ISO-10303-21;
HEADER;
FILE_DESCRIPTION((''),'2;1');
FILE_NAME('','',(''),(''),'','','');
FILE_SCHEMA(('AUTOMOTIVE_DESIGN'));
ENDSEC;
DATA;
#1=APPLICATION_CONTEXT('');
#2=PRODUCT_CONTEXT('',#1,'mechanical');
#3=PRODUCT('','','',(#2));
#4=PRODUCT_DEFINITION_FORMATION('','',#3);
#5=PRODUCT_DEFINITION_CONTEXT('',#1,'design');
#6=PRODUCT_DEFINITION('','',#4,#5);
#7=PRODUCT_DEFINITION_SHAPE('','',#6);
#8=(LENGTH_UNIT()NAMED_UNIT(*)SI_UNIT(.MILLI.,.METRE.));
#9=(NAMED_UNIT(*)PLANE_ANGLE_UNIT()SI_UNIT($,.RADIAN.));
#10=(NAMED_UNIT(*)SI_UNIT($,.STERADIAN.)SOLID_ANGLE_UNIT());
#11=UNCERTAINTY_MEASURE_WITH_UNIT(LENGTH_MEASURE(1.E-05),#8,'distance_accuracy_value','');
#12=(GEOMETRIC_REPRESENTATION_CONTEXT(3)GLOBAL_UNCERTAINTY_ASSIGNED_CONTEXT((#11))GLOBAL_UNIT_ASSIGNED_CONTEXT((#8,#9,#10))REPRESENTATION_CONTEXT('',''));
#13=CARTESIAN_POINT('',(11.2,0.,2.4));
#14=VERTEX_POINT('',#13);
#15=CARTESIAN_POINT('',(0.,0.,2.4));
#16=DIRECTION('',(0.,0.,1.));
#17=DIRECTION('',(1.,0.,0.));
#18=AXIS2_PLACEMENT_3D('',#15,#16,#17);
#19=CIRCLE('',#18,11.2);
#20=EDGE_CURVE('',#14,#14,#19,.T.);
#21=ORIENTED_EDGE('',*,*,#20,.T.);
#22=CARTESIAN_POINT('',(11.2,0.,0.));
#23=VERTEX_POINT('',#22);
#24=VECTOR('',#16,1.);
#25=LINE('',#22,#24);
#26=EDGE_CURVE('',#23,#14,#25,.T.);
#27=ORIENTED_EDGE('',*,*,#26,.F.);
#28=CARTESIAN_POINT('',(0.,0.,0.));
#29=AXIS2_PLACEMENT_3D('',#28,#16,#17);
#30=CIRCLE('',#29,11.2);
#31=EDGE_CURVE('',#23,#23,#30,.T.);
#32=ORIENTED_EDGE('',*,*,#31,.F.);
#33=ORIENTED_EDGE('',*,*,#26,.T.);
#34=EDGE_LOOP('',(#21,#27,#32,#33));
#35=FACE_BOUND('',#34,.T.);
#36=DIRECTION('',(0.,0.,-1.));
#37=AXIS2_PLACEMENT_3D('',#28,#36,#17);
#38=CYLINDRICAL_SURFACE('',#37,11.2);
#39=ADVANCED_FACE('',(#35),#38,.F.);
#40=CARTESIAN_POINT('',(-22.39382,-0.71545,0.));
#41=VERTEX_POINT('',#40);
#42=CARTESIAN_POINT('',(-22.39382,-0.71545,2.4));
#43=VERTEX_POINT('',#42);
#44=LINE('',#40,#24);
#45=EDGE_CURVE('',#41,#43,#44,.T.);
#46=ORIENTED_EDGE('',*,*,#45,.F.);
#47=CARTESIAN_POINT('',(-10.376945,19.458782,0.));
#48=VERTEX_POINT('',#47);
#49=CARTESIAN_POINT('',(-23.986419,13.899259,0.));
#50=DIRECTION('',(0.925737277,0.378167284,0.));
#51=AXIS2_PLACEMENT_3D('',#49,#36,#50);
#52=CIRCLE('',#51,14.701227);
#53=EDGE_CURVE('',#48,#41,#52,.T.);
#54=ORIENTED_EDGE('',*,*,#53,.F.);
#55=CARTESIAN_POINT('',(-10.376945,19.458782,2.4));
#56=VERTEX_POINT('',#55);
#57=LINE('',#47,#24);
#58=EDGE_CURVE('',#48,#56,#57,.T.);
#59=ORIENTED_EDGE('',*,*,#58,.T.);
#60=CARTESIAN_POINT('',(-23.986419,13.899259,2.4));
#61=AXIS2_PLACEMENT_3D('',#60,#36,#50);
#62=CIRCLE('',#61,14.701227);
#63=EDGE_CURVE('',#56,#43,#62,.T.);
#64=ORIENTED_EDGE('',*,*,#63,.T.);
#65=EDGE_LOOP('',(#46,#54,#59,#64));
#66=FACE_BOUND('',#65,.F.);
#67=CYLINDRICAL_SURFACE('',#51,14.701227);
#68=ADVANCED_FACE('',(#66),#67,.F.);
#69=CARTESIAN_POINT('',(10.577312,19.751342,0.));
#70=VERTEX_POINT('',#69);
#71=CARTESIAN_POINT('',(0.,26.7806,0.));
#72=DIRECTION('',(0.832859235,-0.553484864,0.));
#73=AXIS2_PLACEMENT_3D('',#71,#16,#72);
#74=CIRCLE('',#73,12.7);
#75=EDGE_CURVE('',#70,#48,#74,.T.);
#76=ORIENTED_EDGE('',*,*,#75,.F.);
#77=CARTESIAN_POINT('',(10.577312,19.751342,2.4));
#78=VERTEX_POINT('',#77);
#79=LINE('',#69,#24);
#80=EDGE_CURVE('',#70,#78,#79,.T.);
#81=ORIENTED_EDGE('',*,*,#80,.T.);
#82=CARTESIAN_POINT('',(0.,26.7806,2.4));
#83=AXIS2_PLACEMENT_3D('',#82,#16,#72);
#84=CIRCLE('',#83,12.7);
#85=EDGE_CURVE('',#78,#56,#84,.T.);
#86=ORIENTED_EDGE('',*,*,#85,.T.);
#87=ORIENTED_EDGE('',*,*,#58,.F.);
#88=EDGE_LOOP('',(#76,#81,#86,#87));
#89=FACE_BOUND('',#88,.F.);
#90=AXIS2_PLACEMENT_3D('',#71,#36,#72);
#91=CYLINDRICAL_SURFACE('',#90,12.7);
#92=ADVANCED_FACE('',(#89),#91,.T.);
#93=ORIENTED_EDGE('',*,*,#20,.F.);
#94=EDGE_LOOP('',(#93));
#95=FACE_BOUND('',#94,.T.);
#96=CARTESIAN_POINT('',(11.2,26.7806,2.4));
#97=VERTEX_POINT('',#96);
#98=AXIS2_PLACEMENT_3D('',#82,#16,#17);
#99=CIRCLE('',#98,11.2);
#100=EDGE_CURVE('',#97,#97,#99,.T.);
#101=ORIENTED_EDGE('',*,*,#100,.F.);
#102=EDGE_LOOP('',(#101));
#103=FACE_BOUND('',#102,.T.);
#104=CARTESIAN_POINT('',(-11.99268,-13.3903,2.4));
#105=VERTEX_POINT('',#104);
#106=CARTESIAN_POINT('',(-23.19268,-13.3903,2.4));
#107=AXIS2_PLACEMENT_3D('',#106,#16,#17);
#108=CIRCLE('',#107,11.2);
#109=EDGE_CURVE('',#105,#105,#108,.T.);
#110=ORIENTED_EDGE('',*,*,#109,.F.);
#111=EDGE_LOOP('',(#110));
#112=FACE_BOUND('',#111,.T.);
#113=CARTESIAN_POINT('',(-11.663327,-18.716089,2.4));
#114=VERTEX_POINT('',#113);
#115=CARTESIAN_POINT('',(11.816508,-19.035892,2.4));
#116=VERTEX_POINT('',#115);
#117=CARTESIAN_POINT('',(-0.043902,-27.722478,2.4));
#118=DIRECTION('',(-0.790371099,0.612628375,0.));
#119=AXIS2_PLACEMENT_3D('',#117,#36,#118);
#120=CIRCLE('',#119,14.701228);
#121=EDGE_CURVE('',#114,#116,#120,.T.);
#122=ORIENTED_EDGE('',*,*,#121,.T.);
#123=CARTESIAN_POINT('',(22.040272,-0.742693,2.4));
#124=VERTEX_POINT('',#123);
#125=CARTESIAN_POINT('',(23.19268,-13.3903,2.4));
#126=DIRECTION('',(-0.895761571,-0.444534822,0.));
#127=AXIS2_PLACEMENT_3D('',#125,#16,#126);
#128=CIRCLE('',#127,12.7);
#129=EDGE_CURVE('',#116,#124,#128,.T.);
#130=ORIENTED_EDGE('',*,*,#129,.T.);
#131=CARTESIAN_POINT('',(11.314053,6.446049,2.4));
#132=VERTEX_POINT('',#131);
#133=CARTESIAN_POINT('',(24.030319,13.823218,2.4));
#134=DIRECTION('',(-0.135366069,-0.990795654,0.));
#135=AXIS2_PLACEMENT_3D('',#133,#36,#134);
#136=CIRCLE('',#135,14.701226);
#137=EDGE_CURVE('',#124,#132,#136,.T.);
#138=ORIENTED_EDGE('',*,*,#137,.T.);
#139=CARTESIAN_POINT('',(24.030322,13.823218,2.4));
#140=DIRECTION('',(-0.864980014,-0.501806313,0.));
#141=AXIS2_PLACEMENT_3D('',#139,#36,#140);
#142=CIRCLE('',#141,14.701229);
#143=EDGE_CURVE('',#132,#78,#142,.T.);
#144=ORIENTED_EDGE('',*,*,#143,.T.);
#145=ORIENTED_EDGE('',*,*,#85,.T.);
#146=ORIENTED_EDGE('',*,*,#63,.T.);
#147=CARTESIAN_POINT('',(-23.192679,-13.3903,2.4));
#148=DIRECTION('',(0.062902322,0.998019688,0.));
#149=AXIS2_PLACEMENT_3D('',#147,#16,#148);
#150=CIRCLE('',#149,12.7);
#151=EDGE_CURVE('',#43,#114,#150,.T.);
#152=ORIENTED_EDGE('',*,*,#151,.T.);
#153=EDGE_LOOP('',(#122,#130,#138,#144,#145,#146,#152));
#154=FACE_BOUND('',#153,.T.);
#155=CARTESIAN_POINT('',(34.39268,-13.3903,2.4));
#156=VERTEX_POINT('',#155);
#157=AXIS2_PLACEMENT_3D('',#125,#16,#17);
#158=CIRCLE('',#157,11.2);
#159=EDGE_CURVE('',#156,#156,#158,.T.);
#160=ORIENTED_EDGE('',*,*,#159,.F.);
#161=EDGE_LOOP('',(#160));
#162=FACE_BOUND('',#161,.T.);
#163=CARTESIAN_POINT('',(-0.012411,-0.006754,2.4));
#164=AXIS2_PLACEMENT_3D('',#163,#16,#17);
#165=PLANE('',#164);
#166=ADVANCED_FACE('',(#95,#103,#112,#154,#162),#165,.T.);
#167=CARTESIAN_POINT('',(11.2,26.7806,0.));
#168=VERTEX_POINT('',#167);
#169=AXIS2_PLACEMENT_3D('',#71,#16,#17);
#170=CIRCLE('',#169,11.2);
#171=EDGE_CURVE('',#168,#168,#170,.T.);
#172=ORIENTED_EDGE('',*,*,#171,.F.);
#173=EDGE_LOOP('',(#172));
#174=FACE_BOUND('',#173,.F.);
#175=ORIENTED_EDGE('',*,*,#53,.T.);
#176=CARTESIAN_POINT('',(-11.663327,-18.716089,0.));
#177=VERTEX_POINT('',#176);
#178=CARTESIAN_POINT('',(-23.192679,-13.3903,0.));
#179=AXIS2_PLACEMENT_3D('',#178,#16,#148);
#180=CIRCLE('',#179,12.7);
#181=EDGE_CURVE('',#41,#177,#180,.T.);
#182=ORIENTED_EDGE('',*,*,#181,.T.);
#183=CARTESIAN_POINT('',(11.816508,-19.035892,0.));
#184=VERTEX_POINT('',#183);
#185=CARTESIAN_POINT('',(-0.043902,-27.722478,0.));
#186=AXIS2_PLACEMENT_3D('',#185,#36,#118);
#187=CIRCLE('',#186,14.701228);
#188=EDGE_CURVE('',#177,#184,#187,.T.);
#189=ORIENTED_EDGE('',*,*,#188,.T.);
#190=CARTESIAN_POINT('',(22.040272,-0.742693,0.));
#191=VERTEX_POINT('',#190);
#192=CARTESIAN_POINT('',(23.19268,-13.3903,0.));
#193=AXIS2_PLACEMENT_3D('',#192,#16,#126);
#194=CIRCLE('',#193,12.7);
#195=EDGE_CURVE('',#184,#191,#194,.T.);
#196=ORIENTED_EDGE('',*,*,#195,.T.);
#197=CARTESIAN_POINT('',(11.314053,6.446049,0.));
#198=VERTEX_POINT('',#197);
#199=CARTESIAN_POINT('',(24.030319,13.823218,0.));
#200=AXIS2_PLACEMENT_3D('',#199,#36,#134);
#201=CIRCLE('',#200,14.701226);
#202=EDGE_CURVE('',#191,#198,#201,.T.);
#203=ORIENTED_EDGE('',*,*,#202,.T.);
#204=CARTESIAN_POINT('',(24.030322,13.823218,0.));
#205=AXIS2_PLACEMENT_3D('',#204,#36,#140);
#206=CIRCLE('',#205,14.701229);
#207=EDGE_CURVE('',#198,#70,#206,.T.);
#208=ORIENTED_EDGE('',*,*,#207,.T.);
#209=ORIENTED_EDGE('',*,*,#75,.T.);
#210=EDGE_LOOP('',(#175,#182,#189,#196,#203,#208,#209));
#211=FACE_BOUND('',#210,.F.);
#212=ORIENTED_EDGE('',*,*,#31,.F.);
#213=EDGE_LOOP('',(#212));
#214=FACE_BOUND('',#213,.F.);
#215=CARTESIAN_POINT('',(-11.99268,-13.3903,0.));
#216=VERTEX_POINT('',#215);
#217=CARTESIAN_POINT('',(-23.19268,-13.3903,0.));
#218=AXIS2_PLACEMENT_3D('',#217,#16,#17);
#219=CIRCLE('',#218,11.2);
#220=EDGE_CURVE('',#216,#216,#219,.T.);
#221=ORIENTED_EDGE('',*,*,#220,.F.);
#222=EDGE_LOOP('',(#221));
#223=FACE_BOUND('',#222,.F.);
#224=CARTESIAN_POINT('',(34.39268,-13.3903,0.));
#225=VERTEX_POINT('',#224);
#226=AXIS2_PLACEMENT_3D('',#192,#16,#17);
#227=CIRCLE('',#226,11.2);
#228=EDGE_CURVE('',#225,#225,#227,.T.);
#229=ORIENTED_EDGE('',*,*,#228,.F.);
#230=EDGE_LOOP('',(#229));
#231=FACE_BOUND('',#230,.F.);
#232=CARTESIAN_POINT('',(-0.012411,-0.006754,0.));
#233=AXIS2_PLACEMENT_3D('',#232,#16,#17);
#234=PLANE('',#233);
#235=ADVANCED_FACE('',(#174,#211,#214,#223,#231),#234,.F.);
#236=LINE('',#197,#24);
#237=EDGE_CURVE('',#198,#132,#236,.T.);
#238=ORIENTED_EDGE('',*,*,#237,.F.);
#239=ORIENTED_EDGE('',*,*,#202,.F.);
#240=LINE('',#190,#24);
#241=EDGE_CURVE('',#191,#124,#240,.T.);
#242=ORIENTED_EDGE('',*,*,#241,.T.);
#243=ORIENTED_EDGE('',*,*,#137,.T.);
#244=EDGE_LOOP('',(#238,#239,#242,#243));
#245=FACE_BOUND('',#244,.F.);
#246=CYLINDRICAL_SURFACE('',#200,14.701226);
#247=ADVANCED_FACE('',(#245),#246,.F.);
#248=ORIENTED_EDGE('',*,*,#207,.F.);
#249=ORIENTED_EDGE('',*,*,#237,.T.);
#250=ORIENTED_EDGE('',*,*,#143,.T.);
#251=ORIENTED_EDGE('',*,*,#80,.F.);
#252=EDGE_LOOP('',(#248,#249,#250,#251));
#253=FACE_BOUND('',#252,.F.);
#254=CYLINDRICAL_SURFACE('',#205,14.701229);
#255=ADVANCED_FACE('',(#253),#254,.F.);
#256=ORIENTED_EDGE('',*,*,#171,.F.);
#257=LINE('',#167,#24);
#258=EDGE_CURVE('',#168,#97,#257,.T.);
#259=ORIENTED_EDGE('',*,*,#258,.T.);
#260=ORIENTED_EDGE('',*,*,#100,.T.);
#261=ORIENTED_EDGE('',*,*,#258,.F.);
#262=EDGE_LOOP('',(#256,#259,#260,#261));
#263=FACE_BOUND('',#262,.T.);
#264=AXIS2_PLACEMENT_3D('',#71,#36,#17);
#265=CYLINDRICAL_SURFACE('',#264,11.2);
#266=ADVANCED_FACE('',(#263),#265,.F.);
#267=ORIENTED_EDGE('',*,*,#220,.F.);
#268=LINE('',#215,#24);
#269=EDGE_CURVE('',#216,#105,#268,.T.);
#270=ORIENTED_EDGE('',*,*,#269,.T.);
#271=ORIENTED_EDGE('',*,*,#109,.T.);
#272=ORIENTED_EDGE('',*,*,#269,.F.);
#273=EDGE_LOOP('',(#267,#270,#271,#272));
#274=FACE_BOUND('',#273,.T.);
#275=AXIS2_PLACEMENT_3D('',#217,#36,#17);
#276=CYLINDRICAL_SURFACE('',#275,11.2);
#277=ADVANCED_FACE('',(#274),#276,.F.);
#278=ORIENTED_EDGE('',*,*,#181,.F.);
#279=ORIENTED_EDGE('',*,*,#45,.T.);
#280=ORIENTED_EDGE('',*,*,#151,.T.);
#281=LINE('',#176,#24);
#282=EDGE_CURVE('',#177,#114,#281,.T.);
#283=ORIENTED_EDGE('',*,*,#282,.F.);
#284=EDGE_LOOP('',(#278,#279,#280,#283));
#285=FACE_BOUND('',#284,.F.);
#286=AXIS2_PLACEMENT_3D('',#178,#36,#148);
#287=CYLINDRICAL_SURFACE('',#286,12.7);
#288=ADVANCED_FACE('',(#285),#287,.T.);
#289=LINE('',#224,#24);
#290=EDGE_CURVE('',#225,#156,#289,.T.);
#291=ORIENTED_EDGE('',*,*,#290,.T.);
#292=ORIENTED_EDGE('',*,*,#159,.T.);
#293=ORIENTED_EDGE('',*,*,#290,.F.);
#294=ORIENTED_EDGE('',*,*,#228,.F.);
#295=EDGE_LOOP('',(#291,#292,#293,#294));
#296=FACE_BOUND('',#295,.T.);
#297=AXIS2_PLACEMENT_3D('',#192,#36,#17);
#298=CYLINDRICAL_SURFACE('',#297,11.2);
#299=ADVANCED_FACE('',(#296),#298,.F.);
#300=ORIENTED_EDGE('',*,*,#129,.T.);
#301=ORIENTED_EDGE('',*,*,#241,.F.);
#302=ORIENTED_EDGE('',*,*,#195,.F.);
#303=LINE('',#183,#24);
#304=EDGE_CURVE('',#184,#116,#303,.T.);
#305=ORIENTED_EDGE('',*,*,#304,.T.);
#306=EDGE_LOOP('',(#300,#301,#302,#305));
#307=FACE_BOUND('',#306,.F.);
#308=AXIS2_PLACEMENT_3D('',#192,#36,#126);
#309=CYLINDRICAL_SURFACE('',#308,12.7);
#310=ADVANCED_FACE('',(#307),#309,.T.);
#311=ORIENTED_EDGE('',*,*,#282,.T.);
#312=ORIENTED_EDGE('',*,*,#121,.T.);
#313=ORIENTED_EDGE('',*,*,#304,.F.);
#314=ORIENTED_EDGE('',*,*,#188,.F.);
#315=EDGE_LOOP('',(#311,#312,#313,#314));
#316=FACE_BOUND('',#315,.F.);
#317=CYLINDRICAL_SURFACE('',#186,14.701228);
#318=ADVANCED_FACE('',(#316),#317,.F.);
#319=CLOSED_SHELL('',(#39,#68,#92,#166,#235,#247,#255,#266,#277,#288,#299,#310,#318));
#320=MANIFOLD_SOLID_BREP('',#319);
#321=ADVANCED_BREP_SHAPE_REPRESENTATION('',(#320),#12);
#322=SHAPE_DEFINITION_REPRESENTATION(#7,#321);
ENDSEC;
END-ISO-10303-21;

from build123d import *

# Parameters (mm, degrees)
F0_R     = 11.2
F1_DEPTH = 2.4


with BuildPart() as f1:
    # F0 (on Top) → F1 (new body)
    with BuildSketch(Plane.XY):
        with BuildLine():
            ThreePointArc((11.314053, 6.446049), (9.351579, 13.010427), (10.577312, 19.751342))
            ThreePointArc((10.577312, 19.751342), (-0.177298, 39.479362), (-10.376945, 19.458782))
            ThreePointArc((-10.376945, 19.458782), (-11.356072, 6.375934), (-22.39382, -0.71545))
            ThreePointArc((-22.39382, -0.71545), (-34.101481, -19.893226), (-11.663327, -18.716089))
            ThreePointArc((-11.663327, -18.716089), (0.156315, -13.022614), (11.816508, -19.035892))
            ThreePointArc((11.816508, -19.035892), (34.27878, -19.586136), (22.040272, -0.742693))
            ThreePointArc((22.040272, -0.742693), (15.845674, 1.611026), (11.314053, 6.446049))
        make_face()
        with Locations((-23.19268, -13.3903)):
            Circle(F0_R, mode=Mode.SUBTRACT)
        with Locations((23.19268, -13.3903)):
            Circle(F0_R, mode=Mode.SUBTRACT)
        Circle(F0_R, mode=Mode.SUBTRACT)
        with Locations((0, 26.7806)):
            Circle(F0_R, mode=Mode.SUBTRACT)
    extrude(amount=F1_DEPTH)


solid = f1.part
